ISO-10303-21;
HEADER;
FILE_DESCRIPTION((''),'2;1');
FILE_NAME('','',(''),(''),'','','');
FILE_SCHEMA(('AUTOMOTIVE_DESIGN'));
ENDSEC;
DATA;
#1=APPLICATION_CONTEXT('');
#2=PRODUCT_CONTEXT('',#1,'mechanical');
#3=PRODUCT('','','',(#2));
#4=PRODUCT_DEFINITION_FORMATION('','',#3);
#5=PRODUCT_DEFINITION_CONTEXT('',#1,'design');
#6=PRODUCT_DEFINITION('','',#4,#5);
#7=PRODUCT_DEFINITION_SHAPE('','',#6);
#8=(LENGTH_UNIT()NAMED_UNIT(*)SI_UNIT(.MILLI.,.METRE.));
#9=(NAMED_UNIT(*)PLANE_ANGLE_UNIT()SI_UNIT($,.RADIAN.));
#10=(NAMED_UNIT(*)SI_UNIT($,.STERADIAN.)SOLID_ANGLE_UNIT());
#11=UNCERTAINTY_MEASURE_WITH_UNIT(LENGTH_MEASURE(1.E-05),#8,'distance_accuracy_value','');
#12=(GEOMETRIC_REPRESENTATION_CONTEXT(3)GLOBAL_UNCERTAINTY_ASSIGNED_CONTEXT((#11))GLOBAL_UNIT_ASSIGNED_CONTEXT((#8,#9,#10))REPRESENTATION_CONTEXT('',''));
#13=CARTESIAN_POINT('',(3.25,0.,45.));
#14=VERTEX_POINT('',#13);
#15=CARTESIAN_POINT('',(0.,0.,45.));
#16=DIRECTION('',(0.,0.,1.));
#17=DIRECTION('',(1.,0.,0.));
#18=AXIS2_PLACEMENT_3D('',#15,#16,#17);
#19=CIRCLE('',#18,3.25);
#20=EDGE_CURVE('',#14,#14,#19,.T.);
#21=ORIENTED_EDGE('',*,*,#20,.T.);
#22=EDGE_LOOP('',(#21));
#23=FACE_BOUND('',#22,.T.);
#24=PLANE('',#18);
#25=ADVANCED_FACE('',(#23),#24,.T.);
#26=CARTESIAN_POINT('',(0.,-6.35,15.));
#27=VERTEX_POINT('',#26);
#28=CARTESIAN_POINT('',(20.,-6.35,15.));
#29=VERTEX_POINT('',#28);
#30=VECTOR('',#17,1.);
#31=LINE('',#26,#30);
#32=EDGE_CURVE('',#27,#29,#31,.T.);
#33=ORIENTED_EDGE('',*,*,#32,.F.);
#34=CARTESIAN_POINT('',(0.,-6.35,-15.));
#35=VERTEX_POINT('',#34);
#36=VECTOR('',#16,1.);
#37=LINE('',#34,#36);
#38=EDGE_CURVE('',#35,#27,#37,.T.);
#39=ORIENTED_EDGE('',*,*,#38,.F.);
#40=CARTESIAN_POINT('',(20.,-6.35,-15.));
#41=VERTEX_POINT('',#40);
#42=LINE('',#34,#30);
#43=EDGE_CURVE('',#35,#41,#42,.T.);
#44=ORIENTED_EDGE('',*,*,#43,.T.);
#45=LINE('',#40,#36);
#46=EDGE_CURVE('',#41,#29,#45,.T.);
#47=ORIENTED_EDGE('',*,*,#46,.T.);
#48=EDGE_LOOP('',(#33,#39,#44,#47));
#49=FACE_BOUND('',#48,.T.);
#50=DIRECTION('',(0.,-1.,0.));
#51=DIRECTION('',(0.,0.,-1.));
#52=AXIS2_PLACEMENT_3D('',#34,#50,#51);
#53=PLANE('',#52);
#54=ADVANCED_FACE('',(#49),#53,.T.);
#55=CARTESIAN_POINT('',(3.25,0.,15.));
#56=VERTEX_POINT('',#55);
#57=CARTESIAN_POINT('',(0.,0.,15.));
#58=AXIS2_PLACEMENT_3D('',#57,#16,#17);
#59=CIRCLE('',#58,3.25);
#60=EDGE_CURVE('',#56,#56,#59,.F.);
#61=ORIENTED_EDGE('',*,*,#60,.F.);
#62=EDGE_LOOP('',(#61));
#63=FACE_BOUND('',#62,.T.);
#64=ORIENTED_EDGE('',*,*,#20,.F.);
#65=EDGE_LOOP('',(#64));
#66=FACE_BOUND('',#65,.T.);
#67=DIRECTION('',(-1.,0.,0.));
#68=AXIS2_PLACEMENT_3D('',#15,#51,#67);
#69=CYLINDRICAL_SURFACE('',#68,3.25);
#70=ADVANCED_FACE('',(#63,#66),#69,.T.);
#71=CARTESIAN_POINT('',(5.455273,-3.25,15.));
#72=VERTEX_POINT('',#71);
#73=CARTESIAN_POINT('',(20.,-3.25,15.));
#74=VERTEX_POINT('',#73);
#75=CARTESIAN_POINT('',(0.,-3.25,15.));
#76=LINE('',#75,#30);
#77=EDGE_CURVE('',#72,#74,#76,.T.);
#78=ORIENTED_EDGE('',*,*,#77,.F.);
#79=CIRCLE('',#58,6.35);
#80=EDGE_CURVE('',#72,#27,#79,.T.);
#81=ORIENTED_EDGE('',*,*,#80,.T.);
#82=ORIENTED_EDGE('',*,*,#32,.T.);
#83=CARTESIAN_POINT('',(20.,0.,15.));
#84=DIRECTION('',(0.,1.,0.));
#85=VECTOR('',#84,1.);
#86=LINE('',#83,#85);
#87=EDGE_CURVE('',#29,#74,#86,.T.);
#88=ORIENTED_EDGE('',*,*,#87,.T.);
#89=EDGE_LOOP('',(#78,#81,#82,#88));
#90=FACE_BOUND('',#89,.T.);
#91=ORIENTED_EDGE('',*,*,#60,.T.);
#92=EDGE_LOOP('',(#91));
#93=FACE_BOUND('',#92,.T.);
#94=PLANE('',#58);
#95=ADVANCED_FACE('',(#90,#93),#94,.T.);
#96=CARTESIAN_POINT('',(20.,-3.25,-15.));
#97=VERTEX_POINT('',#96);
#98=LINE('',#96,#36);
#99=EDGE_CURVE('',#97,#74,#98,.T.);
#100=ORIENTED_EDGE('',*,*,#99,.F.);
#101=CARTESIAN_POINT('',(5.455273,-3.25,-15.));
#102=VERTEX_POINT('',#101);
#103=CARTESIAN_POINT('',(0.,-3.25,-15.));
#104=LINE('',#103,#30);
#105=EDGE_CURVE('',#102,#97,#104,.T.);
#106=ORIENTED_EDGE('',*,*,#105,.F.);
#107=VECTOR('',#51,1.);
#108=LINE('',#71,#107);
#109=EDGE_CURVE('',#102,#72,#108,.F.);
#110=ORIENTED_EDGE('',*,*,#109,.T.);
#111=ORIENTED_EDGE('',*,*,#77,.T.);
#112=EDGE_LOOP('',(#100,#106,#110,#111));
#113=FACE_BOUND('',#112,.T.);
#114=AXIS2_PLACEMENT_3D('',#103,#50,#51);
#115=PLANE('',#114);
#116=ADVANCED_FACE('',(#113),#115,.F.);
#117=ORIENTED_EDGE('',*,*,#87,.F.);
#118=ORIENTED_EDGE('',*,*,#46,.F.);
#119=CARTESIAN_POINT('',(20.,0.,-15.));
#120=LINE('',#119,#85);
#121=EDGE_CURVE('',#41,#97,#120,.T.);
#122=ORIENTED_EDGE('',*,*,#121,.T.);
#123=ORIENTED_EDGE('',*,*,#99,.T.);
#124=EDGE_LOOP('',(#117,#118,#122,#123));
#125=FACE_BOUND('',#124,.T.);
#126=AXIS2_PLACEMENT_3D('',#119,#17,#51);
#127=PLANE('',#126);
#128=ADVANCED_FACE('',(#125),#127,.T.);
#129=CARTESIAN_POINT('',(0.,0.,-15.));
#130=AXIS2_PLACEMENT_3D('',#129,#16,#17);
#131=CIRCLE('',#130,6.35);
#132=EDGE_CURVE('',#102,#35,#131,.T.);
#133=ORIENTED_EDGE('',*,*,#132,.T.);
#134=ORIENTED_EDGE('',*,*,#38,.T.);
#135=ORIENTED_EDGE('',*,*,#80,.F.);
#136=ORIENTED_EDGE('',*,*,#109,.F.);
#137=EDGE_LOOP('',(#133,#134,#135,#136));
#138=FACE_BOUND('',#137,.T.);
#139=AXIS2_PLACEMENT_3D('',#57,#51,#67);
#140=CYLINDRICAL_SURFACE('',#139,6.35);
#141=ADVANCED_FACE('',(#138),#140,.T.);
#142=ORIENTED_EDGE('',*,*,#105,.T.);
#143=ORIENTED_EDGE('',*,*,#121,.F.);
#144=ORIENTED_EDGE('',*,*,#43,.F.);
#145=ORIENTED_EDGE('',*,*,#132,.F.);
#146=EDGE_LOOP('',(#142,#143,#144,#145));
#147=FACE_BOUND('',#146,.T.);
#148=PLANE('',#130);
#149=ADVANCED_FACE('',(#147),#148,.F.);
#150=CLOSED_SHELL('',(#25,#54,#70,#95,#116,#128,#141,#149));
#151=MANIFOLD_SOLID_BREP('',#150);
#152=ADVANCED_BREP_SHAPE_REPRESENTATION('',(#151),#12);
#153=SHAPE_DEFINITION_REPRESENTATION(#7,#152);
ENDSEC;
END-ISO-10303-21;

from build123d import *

# Parameters (mm, degrees)
ESBO_O1_R                = 6.35
RESSALTO_EXTRUS_O1_DEPTH = 15
ESBO_O2_W                = 20
ESBO_O2_H                = 3.1
RESSALTO_EXTRUS_O2_DEPTH = 30
ESBO_O1_3_R              = 3.25
RESSALTO_EXTRUS_O3_DEPTH = 45


with BuildPart() as part:
    # Esboço1 → Ressalto-extrusão1 (new, symmetric)
    with BuildSketch(Plane.XY):
        Circle(ESBO_O1_R)
    extrude(amount=RESSALTO_EXTRUS_O1_DEPTH, both=True)

    # Esboço2 → Ressalto-extrusão2 (add)
    with BuildSketch(Plane.XY.offset(15)):
        with Locations((10, -4.8)):
            Rectangle(ESBO_O2_W, ESBO_O2_H)
    extrude(amount=-RESSALTO_EXTRUS_O2_DEPTH)

    # Esboço1<3> → Ressalto-extrusão3 (add)
    with BuildSketch(Plane.XY):
        Circle(ESBO_O1_3_R)
    extrude(amount=RESSALTO_EXTRUS_O3_DEPTH)


solid = part.part
